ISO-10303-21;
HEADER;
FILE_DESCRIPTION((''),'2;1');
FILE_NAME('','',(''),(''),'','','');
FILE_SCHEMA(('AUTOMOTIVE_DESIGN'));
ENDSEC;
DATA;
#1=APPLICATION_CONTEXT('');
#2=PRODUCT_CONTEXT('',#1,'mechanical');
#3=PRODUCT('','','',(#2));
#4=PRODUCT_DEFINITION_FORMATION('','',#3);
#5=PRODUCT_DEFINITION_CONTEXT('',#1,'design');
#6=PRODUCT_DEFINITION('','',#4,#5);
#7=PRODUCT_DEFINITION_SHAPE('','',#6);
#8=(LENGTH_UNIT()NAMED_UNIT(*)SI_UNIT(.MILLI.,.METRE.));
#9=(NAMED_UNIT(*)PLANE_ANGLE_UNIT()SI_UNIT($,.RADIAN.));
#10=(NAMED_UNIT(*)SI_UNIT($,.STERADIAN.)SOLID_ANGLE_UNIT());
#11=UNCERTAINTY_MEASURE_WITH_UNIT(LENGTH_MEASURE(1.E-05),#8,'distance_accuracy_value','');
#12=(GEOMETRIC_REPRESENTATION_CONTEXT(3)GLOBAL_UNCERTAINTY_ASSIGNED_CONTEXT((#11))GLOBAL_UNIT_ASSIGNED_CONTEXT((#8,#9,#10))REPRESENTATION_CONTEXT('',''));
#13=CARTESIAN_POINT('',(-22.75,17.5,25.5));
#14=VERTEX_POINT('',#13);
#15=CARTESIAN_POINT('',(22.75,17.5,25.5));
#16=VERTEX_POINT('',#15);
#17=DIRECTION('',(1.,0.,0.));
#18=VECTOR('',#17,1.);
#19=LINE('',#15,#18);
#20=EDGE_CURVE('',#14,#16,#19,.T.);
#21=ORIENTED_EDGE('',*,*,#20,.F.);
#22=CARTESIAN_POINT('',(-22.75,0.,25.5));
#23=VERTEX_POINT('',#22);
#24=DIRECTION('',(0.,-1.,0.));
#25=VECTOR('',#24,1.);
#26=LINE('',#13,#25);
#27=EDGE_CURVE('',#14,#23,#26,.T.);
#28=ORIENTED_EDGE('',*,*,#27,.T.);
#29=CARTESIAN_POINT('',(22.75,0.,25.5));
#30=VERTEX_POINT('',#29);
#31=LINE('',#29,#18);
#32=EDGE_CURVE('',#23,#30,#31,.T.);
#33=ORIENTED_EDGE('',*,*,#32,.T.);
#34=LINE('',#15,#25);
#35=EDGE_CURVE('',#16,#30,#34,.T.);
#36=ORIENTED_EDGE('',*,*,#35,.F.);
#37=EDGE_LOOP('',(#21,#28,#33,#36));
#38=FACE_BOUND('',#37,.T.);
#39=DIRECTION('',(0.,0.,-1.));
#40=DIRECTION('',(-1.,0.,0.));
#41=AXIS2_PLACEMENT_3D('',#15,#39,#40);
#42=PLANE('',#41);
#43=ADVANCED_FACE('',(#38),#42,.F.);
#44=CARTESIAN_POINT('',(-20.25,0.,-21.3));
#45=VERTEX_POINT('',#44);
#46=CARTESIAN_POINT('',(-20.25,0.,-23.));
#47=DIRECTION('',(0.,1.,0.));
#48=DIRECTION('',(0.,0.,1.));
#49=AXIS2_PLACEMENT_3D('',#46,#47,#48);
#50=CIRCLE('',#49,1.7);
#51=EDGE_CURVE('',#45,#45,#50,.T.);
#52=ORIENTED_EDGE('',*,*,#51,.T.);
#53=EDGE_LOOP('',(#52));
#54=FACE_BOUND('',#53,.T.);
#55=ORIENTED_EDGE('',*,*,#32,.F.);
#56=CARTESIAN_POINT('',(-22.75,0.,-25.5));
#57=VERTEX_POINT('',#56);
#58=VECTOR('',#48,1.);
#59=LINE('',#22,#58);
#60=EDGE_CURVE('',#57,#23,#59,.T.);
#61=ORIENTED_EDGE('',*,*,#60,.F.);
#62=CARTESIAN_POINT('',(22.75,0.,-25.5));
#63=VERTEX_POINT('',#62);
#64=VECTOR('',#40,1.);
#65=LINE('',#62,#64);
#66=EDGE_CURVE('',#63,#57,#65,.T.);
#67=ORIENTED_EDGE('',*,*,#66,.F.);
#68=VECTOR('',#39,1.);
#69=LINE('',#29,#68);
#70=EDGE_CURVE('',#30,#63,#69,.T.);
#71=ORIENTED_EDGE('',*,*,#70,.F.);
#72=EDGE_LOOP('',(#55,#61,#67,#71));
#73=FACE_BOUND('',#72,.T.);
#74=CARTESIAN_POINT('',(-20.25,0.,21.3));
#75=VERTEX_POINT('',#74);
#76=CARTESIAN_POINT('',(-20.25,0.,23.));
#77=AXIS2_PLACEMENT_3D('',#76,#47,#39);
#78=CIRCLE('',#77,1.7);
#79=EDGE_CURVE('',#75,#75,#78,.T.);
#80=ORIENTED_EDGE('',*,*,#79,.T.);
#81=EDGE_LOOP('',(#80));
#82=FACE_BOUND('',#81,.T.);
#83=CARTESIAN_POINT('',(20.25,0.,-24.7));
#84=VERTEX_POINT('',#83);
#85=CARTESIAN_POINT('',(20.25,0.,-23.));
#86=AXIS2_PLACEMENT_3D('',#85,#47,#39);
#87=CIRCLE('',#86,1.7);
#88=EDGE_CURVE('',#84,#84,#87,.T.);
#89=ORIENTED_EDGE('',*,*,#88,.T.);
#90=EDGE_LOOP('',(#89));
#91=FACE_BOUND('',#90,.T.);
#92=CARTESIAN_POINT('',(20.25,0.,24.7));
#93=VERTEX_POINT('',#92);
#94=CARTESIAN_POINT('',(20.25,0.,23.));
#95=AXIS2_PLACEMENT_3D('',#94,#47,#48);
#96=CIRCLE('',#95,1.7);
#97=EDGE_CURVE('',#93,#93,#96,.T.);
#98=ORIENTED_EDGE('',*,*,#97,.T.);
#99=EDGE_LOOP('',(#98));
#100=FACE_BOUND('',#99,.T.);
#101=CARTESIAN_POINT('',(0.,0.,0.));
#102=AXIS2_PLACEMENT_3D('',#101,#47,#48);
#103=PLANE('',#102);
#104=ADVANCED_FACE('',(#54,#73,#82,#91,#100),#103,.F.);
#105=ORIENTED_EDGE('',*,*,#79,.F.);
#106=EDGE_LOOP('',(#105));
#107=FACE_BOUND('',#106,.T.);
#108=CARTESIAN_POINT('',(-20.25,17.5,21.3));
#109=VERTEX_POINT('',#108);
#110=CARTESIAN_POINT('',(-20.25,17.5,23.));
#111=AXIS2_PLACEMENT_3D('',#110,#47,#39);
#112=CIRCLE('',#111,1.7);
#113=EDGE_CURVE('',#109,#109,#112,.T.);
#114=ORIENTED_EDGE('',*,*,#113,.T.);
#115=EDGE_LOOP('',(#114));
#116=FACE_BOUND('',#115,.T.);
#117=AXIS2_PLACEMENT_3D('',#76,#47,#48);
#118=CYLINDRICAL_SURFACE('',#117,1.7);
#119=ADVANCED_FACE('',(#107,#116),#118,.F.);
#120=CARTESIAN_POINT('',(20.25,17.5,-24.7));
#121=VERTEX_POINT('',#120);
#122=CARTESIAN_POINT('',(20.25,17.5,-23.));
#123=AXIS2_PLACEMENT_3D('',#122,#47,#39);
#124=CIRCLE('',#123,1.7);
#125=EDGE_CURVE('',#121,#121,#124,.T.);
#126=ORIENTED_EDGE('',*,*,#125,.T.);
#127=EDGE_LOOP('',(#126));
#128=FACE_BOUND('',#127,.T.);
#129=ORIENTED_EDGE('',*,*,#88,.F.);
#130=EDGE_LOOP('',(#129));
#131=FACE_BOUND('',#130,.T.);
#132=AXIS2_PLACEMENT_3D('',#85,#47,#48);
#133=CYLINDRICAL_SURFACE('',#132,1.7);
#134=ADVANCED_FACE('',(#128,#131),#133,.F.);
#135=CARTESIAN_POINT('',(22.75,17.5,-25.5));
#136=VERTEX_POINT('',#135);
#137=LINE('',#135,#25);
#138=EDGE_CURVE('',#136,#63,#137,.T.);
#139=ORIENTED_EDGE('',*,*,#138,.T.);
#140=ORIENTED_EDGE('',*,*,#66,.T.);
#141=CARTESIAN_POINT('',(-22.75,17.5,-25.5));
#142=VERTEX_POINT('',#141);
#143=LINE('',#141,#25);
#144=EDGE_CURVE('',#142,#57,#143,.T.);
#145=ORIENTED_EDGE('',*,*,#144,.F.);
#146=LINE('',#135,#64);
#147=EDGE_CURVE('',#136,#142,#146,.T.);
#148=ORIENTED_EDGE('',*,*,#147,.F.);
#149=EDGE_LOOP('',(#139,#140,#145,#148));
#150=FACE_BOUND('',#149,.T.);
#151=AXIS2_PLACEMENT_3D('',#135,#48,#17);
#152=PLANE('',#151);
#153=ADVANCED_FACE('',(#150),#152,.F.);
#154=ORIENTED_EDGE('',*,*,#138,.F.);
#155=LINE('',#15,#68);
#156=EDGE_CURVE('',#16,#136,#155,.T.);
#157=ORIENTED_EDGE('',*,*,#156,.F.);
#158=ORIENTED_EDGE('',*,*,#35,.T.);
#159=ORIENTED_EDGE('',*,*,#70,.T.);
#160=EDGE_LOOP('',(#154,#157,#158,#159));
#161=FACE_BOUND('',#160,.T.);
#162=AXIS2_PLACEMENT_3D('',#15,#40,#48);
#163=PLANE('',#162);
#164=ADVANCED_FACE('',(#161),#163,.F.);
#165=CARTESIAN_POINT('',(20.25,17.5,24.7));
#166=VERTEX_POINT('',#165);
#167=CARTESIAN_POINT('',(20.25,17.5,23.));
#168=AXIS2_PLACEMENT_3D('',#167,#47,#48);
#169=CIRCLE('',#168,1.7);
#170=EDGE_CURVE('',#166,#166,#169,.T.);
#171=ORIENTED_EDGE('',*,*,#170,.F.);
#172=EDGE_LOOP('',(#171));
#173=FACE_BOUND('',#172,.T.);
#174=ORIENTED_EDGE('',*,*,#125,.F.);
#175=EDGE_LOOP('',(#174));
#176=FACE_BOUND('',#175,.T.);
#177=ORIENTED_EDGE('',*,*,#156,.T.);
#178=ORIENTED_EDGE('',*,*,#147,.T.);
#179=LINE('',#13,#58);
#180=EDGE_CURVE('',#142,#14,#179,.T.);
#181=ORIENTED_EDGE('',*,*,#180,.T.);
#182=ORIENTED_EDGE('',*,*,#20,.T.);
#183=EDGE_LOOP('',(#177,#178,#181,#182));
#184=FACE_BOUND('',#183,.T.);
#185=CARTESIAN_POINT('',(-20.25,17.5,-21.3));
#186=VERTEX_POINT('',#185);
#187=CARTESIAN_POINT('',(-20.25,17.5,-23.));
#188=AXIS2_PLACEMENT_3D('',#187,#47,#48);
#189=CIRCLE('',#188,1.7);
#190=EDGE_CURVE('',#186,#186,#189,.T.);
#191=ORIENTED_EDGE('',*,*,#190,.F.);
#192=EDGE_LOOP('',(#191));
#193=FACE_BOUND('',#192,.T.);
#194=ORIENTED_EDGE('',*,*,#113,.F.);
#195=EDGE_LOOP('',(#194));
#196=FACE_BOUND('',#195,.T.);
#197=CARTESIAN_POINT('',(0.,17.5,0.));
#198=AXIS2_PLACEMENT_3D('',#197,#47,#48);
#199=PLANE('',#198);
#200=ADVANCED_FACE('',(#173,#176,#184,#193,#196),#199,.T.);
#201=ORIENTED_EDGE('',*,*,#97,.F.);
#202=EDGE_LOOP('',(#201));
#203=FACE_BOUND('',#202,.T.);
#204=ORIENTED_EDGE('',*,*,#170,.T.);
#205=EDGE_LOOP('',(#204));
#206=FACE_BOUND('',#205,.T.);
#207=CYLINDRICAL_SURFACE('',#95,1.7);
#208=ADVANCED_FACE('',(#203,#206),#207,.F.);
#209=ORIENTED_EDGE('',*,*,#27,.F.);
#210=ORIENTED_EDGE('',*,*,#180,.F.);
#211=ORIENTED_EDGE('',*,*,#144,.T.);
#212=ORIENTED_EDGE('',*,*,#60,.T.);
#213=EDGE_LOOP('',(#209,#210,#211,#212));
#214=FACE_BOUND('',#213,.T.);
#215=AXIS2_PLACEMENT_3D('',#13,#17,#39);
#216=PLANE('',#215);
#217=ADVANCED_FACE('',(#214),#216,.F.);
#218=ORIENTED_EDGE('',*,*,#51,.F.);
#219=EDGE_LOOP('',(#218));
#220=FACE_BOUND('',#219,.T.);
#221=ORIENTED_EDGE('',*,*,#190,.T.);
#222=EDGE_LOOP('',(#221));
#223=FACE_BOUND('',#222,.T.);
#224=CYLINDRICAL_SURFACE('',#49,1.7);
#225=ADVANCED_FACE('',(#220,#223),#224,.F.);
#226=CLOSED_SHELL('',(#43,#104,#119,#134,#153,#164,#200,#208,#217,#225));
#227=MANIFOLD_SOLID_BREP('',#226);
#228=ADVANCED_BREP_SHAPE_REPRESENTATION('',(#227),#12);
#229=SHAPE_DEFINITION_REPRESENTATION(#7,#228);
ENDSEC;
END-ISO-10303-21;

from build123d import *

# Parameters (mm, degrees)
SKETCH_1_W          = 45.5
SKETCH_1_H          = 51
EXTRUDE_1_DEPTH     = 17.5
SKETCH_2_R          = 1.7
CUT_EXTRUDE_1_DEPTH = 39.393521589


with BuildPart() as part:
    # 草图1 → 凸台-拉伸1 (new body)
    with BuildSketch(Plane(origin=(0, 0, 0), x_dir=(1, 0, 0), z_dir=(0, 1, 0))):
        Rectangle(SKETCH_1_W, SKETCH_1_H)
    extrude(amount=EXTRUDE_1_DEPTH)

    # 草图2 → 切除-拉伸1 (cut, through all)
    with BuildSketch(Plane(origin=(0, 17.5, 0), x_dir=(1, 0, 0), z_dir=(0, 1, 0))):
        with Locations(Location((20.25, -23, 0), (0, 0, 270))):
            Circle(SKETCH_2_R)
        with Locations(Location((-20.25, -23, 0), (0, 0, 90))):
            Circle(SKETCH_2_R)
        with Locations(Location((20.25, 23, 0), (0, 0, 90))):
            Circle(SKETCH_2_R)
        with Locations(Location((-20.25, 23, 0), (0, 0, 270))):
            Circle(SKETCH_2_R)
    extrude(amount=-CUT_EXTRUDE_1_DEPTH, mode=Mode.SUBTRACT)


solid = part.part
